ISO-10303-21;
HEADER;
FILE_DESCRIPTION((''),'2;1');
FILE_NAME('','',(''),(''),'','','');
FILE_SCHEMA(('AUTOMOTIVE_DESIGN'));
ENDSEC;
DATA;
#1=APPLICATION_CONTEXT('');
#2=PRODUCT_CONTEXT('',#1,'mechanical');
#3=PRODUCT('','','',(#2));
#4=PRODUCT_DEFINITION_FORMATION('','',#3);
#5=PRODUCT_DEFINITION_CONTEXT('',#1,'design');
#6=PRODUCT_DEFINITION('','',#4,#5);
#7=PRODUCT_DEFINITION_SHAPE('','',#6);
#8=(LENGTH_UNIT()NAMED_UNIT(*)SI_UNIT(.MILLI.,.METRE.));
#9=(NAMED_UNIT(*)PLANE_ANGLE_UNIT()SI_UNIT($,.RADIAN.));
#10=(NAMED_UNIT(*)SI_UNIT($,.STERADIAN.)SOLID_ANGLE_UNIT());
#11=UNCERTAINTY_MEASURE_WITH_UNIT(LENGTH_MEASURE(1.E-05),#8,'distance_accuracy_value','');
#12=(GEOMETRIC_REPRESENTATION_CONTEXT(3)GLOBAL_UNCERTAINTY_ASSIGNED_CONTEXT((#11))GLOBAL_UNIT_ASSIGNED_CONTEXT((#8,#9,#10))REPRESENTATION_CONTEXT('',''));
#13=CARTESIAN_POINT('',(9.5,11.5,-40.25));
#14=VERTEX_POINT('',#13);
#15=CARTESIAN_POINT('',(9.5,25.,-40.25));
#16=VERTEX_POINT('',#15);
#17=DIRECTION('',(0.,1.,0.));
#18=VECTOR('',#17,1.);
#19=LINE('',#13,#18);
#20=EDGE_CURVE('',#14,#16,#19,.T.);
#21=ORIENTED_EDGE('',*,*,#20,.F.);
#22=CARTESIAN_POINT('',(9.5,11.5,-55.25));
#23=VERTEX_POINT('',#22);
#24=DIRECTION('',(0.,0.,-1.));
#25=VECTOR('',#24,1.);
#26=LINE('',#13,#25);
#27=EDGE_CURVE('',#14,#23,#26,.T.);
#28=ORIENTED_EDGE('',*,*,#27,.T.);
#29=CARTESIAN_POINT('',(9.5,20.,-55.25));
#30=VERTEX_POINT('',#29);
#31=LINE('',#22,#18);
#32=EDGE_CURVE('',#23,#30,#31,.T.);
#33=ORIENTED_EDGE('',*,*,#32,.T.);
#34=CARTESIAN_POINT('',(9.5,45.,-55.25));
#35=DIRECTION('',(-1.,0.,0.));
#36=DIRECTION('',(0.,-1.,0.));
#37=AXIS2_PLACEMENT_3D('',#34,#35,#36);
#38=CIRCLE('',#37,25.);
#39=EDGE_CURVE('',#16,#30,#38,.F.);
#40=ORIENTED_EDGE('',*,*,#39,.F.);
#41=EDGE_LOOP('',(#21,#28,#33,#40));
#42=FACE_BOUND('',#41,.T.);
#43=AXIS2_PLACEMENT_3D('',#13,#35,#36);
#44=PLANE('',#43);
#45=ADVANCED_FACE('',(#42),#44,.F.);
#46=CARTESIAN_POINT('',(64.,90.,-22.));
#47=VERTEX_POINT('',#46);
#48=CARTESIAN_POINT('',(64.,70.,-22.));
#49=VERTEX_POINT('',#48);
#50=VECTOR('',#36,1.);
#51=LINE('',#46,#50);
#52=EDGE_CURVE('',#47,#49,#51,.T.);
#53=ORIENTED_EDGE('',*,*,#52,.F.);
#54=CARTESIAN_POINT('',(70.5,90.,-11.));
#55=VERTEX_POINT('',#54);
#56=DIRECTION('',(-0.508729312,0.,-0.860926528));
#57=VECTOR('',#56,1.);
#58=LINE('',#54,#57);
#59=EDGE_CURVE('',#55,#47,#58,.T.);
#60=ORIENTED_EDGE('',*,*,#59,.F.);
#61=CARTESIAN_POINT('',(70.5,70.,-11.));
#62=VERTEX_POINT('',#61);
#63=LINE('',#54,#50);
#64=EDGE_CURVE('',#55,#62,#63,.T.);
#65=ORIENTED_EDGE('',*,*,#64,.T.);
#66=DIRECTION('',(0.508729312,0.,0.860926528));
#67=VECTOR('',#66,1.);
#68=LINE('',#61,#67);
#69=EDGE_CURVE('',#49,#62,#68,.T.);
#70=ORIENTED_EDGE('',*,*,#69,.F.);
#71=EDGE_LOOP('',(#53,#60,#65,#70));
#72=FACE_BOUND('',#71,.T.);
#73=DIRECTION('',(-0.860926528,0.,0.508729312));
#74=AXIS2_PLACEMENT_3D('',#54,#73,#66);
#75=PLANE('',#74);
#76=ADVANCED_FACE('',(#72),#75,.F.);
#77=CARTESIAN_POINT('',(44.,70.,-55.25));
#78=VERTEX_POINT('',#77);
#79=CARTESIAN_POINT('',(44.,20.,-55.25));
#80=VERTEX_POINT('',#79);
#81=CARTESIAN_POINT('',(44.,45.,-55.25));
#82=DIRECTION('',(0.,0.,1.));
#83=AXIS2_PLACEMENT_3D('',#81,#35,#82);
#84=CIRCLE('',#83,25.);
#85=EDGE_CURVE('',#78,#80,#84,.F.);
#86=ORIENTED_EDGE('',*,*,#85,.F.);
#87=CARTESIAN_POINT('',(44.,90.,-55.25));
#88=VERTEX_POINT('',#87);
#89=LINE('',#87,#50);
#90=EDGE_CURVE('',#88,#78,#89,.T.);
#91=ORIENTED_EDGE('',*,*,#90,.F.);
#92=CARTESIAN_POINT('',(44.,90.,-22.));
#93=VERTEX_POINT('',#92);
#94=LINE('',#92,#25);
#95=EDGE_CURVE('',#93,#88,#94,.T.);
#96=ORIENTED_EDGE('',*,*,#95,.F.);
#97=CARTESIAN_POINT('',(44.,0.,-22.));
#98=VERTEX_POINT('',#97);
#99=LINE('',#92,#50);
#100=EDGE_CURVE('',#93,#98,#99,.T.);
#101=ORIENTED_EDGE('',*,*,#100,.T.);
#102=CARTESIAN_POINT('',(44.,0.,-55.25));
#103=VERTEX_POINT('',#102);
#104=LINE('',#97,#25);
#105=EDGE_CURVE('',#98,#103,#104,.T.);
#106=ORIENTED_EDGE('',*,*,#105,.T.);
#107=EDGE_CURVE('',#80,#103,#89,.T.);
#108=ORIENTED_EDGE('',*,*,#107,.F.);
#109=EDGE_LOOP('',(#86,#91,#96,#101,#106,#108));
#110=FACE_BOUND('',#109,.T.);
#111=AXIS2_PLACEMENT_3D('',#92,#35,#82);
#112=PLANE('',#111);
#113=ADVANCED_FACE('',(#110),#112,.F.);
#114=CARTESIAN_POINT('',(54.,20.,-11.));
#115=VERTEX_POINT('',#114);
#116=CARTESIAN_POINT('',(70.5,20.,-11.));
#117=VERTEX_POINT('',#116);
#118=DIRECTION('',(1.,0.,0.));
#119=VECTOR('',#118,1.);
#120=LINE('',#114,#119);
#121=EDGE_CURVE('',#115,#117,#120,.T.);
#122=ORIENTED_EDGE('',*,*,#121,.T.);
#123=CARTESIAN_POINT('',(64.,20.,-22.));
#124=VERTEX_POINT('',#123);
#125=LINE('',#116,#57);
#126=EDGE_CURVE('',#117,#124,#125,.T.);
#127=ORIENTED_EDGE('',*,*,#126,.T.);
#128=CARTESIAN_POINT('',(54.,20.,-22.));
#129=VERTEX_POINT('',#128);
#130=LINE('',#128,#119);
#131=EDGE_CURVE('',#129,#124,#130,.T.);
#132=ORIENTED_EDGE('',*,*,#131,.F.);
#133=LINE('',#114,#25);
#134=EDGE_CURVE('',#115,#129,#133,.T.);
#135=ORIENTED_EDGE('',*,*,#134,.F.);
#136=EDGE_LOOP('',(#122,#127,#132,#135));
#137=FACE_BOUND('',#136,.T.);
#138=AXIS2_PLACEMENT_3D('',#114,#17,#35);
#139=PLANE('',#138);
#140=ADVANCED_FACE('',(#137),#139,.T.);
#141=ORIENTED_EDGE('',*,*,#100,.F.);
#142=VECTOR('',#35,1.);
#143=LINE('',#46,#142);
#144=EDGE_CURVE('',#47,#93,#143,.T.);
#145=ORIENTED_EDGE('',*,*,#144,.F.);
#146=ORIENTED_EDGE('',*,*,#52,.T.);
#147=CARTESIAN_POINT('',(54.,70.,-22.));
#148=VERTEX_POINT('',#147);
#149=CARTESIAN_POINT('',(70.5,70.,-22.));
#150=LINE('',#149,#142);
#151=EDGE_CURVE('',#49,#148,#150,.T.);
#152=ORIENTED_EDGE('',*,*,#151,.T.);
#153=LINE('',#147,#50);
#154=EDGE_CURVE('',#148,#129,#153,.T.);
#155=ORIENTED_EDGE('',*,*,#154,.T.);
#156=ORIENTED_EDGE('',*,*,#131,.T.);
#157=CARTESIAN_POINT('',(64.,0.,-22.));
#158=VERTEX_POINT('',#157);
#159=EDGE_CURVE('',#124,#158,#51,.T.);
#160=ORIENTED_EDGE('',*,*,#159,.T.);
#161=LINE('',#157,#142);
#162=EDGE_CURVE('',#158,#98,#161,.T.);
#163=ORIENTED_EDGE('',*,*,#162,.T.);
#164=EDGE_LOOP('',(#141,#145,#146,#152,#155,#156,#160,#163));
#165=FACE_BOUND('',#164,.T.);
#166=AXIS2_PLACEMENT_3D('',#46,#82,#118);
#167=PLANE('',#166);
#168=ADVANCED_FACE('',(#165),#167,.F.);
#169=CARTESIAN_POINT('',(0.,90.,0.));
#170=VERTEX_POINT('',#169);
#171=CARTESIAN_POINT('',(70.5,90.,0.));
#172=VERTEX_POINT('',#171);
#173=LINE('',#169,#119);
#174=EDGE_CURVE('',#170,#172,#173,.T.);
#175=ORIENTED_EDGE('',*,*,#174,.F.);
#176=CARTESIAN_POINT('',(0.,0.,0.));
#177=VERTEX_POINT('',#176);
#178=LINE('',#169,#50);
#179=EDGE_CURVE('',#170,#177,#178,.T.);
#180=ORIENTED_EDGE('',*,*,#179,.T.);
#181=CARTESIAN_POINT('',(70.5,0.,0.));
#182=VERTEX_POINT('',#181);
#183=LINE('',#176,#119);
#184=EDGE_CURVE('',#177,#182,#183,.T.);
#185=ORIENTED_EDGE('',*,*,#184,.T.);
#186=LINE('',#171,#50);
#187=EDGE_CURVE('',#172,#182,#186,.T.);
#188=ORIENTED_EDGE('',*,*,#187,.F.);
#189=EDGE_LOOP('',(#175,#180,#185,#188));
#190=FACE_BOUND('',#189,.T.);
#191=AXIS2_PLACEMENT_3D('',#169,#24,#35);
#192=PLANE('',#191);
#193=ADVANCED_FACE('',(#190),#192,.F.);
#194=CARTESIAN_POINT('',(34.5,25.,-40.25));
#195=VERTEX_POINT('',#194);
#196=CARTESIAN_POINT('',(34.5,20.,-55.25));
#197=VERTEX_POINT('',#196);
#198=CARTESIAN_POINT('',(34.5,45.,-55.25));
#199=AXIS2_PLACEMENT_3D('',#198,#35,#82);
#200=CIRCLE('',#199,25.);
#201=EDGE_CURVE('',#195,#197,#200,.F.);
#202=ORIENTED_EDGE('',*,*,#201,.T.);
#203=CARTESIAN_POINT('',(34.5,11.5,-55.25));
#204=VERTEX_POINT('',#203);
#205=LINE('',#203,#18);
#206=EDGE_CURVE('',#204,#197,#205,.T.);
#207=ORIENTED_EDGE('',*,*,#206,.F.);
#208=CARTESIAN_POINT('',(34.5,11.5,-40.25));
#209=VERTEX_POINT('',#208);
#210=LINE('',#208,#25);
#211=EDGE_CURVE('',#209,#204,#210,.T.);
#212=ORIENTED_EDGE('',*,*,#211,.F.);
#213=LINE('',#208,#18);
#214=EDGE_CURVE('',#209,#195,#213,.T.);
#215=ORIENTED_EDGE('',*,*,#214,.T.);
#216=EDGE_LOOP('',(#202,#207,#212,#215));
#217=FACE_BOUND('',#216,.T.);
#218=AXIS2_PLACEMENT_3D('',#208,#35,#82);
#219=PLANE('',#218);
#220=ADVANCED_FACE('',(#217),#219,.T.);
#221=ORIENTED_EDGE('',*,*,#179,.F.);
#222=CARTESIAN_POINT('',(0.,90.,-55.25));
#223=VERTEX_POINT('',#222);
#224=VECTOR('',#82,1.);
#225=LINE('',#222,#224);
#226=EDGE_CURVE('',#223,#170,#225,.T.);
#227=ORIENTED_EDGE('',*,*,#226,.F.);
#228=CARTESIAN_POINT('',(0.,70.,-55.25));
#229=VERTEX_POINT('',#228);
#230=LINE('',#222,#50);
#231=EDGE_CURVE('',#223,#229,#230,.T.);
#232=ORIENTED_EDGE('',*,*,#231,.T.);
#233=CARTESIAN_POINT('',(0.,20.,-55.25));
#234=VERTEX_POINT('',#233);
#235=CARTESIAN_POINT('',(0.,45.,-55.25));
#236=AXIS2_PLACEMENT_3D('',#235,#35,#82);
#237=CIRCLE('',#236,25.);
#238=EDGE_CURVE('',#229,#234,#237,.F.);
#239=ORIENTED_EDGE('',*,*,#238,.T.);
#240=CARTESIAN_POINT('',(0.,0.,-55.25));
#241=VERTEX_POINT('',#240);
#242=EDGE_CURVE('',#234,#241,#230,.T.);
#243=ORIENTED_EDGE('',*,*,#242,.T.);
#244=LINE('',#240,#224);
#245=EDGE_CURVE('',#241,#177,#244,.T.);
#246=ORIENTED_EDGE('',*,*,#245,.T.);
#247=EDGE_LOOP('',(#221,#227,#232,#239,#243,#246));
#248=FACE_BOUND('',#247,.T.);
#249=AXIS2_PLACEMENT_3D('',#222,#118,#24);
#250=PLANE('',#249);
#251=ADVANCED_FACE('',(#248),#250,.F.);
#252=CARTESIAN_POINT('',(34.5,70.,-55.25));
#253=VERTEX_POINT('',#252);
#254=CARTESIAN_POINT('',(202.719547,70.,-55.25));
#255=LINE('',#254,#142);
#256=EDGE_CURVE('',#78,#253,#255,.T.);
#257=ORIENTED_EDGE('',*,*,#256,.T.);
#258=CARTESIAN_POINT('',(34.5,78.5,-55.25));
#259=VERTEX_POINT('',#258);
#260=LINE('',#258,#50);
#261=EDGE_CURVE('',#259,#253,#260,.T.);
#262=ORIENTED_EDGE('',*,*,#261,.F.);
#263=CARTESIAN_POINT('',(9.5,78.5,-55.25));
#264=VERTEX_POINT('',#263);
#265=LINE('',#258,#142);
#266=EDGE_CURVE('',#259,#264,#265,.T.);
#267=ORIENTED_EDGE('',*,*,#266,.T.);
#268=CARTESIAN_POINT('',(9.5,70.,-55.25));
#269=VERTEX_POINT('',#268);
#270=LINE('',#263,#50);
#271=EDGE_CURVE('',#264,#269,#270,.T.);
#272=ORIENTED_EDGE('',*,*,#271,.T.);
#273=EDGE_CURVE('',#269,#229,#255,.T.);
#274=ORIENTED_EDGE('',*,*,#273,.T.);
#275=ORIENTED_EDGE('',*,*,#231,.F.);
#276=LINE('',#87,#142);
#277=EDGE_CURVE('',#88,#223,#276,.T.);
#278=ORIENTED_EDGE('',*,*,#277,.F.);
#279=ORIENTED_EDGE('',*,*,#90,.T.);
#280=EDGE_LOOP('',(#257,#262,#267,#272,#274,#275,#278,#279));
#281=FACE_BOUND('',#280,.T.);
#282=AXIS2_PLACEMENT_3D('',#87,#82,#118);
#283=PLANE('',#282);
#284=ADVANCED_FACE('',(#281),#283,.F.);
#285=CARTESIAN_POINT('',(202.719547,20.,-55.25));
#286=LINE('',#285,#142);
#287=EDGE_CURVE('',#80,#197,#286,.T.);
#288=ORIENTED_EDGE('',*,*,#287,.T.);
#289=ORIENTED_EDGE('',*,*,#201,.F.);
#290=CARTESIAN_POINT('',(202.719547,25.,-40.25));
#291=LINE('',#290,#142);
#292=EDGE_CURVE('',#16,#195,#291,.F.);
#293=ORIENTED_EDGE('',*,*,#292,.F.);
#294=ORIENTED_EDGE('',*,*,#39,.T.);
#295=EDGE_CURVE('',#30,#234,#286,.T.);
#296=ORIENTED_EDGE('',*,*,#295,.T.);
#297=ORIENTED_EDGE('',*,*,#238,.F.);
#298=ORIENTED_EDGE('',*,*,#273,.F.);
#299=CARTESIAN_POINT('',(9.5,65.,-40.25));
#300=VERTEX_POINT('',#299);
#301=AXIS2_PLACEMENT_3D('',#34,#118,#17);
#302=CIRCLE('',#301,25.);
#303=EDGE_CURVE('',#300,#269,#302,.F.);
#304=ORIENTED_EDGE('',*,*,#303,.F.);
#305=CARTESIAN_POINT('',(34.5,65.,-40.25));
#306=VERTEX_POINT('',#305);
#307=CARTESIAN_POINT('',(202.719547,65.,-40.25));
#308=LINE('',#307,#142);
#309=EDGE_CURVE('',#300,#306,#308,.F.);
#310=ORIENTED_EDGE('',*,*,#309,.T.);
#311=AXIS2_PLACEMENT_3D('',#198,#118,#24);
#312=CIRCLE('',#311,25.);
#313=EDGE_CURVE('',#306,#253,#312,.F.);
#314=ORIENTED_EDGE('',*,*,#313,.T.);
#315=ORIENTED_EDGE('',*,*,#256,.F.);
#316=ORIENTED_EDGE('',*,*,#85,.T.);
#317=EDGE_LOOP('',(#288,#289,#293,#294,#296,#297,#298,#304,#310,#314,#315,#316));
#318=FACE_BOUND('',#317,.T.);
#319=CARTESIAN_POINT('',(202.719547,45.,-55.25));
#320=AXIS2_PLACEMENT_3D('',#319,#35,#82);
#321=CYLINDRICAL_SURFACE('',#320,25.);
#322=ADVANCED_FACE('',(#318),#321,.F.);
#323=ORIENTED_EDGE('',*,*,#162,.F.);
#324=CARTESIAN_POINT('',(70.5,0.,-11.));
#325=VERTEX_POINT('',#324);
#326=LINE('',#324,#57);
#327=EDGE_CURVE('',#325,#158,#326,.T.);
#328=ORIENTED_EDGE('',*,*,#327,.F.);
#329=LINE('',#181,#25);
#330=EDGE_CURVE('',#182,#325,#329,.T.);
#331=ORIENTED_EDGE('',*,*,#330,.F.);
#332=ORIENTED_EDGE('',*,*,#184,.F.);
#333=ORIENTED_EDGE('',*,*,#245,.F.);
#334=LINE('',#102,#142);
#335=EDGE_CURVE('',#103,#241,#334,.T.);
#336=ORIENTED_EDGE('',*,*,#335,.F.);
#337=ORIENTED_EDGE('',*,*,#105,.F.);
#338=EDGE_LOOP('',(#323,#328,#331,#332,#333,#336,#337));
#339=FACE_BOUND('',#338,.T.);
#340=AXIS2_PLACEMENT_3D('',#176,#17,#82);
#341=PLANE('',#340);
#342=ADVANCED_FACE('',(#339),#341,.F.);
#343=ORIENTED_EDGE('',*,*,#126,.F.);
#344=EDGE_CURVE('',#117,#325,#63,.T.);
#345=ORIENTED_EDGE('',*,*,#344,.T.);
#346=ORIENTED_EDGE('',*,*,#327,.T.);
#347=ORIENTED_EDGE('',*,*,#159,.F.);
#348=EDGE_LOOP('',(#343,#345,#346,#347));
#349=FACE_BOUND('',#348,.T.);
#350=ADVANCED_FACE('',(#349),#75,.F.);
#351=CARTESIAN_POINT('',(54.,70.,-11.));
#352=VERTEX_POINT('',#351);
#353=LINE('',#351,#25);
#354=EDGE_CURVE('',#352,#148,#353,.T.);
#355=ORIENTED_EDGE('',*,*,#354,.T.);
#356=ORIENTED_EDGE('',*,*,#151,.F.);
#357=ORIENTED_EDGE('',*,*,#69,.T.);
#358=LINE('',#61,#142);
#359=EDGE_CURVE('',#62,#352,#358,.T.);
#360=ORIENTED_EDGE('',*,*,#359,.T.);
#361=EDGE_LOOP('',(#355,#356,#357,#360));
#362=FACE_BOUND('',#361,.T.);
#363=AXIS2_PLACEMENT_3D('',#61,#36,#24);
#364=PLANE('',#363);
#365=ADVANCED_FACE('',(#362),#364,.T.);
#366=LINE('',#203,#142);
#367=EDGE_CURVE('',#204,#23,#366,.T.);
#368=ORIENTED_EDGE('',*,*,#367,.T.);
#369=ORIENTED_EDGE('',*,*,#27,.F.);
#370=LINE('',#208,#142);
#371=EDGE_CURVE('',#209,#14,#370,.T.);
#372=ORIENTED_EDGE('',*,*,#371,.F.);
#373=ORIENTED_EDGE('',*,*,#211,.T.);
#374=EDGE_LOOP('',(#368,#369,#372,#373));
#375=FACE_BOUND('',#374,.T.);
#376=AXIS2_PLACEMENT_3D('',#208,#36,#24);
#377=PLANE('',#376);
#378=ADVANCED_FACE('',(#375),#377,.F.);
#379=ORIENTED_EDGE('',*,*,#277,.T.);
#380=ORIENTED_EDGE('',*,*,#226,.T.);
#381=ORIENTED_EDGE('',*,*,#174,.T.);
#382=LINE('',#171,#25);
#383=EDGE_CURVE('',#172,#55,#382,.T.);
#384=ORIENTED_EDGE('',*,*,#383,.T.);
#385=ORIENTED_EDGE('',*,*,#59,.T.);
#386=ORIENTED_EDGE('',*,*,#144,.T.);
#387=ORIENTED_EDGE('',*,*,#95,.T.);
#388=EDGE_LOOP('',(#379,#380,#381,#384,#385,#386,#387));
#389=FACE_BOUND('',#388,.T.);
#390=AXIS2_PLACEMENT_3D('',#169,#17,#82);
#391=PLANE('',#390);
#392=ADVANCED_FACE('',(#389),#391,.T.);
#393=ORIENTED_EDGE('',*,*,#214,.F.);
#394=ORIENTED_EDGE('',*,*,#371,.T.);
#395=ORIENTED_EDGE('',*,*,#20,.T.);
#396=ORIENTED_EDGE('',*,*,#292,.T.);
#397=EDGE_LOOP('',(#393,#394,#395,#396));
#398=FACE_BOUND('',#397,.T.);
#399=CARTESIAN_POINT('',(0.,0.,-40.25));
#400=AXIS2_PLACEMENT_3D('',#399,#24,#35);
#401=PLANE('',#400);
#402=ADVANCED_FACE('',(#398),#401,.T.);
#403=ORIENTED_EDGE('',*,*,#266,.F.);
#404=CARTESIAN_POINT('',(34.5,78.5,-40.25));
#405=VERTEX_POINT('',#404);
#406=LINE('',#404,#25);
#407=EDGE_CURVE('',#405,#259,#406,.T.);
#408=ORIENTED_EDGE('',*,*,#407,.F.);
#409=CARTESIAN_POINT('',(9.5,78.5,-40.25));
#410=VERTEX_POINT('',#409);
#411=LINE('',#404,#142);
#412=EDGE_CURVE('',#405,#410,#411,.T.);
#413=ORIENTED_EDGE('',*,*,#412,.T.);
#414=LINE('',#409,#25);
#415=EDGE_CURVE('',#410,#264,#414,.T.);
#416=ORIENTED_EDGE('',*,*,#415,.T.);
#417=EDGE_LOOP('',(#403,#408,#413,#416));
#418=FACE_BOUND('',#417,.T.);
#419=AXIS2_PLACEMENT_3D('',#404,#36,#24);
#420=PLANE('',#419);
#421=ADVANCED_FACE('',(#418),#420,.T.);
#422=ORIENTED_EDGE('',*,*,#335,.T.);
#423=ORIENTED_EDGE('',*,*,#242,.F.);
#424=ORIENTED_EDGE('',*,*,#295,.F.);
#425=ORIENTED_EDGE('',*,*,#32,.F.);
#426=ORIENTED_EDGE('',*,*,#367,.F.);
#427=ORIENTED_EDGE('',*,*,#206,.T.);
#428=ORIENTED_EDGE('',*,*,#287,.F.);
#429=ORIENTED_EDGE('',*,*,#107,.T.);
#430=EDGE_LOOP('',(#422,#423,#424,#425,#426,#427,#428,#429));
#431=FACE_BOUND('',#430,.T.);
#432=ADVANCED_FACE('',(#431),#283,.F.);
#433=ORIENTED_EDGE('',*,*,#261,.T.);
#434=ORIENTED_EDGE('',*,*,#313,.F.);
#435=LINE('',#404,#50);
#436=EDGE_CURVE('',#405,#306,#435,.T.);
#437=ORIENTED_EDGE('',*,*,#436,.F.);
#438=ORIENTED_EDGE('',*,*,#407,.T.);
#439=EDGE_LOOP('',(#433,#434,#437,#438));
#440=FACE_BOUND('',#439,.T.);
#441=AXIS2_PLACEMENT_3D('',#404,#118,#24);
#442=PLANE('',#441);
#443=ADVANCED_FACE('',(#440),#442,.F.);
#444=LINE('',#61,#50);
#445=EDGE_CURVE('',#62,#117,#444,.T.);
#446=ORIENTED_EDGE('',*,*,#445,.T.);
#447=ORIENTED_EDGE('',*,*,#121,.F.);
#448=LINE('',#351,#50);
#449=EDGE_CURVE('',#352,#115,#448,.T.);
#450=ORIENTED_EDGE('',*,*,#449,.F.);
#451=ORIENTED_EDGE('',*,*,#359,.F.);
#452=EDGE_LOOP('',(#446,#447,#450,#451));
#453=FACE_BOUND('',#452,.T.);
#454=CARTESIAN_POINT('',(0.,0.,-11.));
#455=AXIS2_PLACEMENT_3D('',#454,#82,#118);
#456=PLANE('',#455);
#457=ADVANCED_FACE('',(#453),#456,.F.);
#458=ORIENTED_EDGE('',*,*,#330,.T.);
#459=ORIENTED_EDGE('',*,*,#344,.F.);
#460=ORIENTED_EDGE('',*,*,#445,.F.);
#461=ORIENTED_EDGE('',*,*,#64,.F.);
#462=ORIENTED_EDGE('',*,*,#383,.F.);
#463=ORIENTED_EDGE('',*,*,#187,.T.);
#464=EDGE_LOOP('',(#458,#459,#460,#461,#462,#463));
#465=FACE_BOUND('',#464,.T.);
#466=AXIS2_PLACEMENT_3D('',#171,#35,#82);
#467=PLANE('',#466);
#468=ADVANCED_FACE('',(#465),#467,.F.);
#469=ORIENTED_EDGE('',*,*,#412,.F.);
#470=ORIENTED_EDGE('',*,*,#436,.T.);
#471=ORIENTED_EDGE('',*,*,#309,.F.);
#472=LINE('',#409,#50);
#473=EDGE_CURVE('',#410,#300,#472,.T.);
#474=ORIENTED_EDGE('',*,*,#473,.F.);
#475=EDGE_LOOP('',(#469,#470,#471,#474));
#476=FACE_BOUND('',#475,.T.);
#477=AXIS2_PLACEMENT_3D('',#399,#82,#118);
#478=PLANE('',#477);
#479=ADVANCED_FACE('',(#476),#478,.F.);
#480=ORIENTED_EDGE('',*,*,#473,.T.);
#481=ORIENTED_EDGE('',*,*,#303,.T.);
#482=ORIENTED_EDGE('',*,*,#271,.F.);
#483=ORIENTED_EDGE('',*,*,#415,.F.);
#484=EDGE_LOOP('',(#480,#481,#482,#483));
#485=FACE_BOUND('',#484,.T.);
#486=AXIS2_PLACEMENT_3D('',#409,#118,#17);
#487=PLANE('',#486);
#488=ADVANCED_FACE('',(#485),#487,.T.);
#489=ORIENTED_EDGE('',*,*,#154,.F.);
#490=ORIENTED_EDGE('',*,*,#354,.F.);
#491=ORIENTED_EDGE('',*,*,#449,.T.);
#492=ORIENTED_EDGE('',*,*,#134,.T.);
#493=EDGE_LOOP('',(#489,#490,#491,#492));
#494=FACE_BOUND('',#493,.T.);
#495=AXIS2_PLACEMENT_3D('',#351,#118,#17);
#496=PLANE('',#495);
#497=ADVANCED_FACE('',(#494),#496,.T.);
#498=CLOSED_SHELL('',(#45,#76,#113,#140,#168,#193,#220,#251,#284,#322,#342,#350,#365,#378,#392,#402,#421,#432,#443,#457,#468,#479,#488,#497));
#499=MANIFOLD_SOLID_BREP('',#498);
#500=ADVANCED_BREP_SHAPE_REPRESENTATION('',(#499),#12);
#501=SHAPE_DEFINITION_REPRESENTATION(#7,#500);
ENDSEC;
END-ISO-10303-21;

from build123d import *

# Parameters (mm, degrees)
BOSS_EXTRUDE1_DEPTH     = 90
CUT_EXTRUDE6_DEPTH      = 115.405255561
CUT_EXTRUDE6_DEPTH_BACK = 44
SKETCH8_W               = 25
SKETCH8_H               = 15
CUT_EXTRUDE9_DEPTH      = 15
SKETCH13_W              = 16.5
SKETCH13_H              = 50
CUT_EXTRUDE18_DEPTH     = 11


with BuildPart() as part:
    # Sketch1 → Boss-Extrude1 (new body)
    with BuildSketch(Plane(origin=(0, 0, 0), x_dir=(1, 0, 0), z_dir=(0, 1, 0))):
        Polygon((0, 0), (70.5, 0), (70.5, 11), (64, 22), (44, 22), (44, 55.25), (0, 55.25), align=None)
    extrude(amount=BOSS_EXTRUDE1_DEPTH)

    # Sketch7 → Cut-Extrude6 (cut, two sides: drawn at the far end of the back side and taken through both)
    with BuildSketch(Plane(origin=(44, 0, 0), x_dir=(0, 0, -1), z_dir=(1, 0, 0)).offset(-CUT_EXTRUDE6_DEPTH_BACK)):
        with BuildLine():
            Line((243.604282259, 20), (55.25, 20))
            ThreePointArc((55.25, 20), (30.25, 45), (55.25, 70))
            Line((55.25, 70), (243.604282259, 70))
            Line((243.604282259, 70), (620.312846776, 70))
            Line((620.312846776, 70), (620.312846776, 20))
            Line((620.312846776, 20), (243.604282259, 20))
        make_face()
    extrude(amount=CUT_EXTRUDE6_DEPTH + CUT_EXTRUDE6_DEPTH_BACK, mode=Mode.SUBTRACT)

    # Sketch8 → Cut-Extrude9 (cut)
    with BuildSketch(Plane(origin=(0, 0, -55.25), x_dir=(-1, 0, 0), z_dir=(0, 0, -1))):
        with Locations((-22, 71)):
            Rectangle(SKETCH8_W, SKETCH8_H)
        with Locations((-22, 19)):
            Rectangle(SKETCH8_W, SKETCH8_H)
    extrude(amount=-CUT_EXTRUDE9_DEPTH, mode=Mode.SUBTRACT)

    # Sketch13 → Cut-Extrude18 (cut)
    with BuildSketch(Plane(origin=(0, 0, -22), x_dir=(-1, 0, 0), z_dir=(0, 0, -1))):
        with Locations((-62.25, 45)):
            Rectangle(SKETCH13_W, SKETCH13_H)
    extrude(amount=-CUT_EXTRUDE18_DEPTH, mode=Mode.SUBTRACT)


solid = part.part
